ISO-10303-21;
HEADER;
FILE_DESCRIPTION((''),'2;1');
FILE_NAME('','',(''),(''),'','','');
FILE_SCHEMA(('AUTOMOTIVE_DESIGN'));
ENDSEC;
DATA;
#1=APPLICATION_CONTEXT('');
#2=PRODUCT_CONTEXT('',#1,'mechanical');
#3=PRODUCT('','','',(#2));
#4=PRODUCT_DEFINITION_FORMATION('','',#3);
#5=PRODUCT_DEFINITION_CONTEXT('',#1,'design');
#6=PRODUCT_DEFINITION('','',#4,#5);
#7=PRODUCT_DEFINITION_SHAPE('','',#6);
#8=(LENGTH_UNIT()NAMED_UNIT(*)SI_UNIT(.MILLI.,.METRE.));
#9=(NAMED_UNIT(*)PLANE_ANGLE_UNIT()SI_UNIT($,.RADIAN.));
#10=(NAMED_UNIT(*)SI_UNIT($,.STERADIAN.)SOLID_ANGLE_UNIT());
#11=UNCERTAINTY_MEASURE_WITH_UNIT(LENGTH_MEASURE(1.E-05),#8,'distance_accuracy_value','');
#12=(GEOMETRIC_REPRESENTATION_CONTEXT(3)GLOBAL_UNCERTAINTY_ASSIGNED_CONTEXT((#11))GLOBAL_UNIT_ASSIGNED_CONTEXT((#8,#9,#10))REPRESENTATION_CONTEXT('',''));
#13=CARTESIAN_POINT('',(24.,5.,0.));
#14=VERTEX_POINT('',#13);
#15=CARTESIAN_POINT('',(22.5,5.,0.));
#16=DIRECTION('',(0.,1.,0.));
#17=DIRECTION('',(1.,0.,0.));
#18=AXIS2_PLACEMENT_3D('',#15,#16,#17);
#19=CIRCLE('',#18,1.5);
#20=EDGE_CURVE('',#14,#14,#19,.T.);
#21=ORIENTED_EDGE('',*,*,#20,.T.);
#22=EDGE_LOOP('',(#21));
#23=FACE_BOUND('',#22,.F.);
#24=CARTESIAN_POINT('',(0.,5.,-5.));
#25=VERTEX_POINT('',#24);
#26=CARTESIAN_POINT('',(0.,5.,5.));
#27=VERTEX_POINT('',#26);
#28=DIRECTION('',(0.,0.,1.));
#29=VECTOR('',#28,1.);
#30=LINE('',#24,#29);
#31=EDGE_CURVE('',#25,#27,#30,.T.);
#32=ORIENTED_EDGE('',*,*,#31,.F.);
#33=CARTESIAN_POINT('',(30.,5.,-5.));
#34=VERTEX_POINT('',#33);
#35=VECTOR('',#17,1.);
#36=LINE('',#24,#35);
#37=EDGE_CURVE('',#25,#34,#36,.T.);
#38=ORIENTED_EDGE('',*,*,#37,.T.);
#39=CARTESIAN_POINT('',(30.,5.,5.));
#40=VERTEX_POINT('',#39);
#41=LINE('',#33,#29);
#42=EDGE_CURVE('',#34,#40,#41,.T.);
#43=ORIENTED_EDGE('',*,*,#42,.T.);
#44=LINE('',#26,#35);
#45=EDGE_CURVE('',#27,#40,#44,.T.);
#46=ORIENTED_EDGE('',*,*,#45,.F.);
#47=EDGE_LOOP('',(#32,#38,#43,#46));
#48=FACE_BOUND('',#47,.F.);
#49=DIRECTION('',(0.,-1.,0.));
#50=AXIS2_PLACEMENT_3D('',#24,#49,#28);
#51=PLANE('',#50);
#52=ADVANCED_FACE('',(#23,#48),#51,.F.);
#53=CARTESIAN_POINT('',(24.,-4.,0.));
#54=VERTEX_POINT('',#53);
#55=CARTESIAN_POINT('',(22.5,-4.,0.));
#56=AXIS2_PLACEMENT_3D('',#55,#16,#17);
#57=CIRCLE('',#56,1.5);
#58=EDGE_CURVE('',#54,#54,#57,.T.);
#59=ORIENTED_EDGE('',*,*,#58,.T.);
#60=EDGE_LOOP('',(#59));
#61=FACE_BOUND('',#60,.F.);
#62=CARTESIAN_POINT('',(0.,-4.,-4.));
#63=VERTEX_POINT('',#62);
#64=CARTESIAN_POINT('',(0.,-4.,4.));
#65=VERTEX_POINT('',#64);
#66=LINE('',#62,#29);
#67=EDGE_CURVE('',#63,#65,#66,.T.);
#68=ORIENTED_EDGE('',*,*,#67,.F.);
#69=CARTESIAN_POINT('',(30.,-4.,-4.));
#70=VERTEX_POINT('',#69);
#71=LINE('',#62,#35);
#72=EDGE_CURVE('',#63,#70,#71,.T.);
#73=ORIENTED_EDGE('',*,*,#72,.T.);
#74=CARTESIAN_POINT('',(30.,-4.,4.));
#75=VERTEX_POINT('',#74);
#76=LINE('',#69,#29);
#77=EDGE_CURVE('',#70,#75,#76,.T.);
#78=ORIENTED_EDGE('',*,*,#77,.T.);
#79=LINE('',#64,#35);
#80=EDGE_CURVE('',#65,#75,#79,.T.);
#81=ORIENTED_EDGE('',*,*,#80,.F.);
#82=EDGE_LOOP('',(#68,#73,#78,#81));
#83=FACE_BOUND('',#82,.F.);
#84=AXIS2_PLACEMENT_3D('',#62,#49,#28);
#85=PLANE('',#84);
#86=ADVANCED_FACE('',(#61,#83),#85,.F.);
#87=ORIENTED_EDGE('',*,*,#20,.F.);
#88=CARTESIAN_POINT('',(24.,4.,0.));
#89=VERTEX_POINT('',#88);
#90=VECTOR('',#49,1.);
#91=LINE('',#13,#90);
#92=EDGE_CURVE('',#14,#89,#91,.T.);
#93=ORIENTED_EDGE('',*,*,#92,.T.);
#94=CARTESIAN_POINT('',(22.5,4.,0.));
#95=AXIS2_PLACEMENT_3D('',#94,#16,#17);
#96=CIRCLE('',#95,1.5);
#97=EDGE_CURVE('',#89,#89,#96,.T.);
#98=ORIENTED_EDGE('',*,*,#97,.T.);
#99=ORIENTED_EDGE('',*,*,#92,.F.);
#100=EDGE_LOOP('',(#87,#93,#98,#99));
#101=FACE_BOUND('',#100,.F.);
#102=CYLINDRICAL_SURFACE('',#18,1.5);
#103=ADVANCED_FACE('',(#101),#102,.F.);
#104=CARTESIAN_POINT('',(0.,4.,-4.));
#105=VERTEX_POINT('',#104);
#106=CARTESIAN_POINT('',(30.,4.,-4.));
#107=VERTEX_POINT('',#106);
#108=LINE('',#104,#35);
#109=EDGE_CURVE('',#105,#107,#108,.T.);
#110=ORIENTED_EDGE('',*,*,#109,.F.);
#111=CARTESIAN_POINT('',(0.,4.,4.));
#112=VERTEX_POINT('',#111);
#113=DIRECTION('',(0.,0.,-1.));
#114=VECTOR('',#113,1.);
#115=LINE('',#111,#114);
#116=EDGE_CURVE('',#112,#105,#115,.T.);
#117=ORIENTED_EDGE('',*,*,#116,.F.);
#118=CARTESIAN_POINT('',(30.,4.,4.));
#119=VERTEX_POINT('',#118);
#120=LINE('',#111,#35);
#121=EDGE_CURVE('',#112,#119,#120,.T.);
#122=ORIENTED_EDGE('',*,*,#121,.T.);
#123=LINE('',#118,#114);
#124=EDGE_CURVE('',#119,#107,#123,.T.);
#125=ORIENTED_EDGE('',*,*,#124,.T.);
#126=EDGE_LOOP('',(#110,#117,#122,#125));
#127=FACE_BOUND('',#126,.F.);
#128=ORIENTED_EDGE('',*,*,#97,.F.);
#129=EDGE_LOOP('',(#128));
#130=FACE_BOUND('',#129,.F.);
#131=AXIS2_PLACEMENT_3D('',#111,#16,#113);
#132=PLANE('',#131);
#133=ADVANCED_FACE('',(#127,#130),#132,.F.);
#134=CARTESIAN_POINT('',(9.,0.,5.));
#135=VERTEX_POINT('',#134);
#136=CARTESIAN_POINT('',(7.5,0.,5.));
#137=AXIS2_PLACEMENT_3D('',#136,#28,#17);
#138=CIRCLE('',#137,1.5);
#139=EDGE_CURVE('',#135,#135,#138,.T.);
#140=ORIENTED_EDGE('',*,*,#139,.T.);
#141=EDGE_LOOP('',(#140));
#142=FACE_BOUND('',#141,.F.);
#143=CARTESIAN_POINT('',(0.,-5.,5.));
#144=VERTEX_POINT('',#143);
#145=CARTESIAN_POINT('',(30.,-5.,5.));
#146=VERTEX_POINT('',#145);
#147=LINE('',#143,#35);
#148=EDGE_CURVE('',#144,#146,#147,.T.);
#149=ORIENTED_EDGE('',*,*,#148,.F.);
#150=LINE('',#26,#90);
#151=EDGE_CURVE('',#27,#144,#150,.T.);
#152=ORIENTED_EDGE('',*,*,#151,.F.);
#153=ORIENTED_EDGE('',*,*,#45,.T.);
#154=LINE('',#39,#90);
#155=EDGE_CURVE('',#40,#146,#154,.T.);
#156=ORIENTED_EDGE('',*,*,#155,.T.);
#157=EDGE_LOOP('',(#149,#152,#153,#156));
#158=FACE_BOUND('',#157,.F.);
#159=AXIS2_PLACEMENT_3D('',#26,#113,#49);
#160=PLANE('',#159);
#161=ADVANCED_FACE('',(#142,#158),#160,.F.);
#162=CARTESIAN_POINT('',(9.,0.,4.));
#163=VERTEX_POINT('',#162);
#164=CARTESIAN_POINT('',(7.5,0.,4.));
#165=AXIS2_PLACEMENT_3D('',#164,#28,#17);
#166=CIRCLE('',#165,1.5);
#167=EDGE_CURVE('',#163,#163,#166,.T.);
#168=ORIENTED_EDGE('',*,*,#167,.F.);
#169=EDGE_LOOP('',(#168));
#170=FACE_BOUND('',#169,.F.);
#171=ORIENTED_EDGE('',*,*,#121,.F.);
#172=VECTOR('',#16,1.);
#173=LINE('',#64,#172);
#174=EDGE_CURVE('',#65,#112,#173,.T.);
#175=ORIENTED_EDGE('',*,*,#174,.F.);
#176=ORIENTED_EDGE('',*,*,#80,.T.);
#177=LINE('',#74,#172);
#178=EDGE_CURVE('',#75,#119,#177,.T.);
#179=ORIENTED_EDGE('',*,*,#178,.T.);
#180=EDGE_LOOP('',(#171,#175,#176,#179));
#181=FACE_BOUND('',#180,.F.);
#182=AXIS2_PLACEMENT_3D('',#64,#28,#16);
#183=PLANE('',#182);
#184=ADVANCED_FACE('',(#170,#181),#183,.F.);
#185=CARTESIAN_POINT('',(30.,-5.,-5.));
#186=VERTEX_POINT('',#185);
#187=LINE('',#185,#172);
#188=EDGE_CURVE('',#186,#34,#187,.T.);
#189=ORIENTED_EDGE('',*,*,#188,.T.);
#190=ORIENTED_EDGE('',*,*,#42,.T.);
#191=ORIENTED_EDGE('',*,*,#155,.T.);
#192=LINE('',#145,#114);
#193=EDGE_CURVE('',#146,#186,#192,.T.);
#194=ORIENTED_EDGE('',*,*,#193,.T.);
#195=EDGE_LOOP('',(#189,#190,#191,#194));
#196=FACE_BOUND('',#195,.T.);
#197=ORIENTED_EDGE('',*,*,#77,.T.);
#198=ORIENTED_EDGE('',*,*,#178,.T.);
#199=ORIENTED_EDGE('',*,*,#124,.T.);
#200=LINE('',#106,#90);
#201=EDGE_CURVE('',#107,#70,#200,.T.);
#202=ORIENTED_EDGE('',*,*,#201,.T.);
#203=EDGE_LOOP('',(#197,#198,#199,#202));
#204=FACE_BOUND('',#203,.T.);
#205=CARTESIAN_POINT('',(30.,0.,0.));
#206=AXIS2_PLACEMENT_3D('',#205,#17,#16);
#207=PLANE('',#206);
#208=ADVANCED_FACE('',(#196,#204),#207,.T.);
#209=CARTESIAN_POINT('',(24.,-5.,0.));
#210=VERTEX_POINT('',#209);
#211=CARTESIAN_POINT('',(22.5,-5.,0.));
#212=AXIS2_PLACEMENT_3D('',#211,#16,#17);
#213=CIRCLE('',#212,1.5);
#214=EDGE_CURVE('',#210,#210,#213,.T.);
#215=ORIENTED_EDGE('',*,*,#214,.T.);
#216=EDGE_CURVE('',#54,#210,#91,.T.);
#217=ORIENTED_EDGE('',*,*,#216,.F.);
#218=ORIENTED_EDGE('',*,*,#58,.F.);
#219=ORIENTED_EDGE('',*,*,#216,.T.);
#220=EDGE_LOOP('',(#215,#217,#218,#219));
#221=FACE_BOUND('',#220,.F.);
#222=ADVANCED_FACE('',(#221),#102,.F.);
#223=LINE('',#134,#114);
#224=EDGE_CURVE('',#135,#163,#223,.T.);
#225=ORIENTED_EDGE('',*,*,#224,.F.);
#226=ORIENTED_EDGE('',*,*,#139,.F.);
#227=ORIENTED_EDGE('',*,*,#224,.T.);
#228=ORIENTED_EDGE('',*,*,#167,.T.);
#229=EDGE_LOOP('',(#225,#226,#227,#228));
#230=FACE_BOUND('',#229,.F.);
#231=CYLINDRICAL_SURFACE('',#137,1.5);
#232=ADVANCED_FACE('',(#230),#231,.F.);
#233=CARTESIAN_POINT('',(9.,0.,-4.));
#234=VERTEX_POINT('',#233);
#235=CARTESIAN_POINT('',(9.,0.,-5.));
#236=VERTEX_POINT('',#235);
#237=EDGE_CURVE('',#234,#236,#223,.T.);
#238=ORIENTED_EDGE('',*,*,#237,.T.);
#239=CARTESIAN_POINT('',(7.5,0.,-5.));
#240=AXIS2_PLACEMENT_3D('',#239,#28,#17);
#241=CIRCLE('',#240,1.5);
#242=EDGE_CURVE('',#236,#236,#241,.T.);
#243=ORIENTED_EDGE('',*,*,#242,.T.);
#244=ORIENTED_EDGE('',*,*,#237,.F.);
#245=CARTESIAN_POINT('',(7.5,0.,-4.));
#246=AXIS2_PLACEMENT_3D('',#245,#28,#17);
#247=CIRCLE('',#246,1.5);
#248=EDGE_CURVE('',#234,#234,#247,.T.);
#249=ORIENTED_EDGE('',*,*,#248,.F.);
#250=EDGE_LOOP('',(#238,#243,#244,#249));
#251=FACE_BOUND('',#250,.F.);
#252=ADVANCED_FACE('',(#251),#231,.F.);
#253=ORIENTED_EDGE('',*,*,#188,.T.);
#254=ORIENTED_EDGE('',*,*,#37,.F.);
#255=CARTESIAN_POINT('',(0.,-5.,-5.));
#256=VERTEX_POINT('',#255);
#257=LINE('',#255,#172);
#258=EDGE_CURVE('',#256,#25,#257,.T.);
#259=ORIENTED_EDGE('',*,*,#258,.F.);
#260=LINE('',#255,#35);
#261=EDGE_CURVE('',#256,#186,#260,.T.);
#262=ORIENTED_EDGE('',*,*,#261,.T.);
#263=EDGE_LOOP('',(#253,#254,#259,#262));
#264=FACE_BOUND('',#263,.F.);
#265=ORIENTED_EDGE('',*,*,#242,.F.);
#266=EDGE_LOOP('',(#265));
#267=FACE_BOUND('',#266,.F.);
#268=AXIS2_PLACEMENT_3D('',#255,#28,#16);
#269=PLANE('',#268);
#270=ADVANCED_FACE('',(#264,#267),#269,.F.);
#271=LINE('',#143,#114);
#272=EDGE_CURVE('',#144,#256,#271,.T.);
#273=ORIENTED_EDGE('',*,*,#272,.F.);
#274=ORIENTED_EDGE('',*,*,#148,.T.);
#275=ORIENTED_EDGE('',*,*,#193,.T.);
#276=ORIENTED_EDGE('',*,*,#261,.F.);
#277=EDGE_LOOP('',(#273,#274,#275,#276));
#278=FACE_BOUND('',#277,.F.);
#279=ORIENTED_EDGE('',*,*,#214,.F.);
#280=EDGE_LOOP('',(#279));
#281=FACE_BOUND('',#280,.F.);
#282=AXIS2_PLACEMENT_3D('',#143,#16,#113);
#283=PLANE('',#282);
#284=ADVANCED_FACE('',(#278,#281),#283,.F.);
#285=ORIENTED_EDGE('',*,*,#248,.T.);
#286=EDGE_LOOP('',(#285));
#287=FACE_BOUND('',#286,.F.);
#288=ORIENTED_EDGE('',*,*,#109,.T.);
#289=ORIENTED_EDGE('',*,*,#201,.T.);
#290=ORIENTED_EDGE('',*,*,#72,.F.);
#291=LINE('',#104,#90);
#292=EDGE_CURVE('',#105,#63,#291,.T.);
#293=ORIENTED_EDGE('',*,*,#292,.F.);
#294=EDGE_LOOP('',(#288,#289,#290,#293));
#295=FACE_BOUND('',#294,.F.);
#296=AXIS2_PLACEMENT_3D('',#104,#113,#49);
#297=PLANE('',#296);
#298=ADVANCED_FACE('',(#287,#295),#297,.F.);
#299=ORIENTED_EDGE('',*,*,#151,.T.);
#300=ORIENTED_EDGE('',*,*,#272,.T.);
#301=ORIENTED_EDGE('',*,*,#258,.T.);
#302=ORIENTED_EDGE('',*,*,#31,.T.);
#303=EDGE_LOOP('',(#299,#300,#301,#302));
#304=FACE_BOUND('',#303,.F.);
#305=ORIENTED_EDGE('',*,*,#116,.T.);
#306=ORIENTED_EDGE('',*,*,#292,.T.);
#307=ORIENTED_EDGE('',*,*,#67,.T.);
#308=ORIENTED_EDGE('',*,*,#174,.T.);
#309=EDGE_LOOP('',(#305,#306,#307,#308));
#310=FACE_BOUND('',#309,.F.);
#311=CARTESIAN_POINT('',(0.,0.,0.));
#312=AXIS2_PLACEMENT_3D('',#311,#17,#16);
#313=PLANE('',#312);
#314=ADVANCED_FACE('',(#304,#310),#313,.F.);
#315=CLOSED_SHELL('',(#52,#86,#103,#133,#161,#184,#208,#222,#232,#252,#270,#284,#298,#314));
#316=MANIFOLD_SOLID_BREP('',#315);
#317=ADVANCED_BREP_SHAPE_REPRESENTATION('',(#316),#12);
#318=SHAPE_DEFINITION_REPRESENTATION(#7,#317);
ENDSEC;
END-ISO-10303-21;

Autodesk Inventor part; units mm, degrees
ref_plane "YZ Plane" through (0, 0, 0) normal (1, 0, 0) x (0, 1, 0)
ref_plane "XZ Plane" through (0, 0, 0) normal (0, 1, 0) x (-1, 0, 0)
ref_plane "XY Plane" through (0, 0, 0) normal (0, 0, 1) x (1, 0, 0)
sketch "スケッチ1" plane through (0, 0, 0) normal (1, 0, 0) x (0, 1, 0)
  line L0 (-5, -5) -> (5, -5)
  line L1 (5, -5) -> (5, 5)
  line L2 (5, 5) -> (-5, 5)
  line L3 (-5, 5) -> (-5, -5)
  line L4 (-5, -5) -> (5, 5) construction
  line L5 (5, -5) -> (-5, 5) construction
  line L6 (4, 4) -> (4, -4)
  line L7 (4, -4) -> (-4, -4)
  line L8 (-4, -4) -> (-4, 4)
  line L9 (-4, 4) -> (4, 4)
  point P0 (0, 0)
  dimension "d0" = 1
  dimension "d1" = 10
  dimension "d2" = 10
extrude "押し出し1" add sketch "スケッチ1" along normal blind 30
sketch "スケッチ2" plane through (0, -5, 5) normal (0, 0, 1) x (1, 0, 0)
  line L0 (0, 5) -> (30, 5) construction
  line L1 (30, 9) -> (30, 1) projected
  circle A0 centre (7.5, 5) radius 1.5
  line L2 (0, 10) -> (0, 0) projected
  dimension "d5" = 3
  dimension "d6" = 7.5
extrude "押し出し2" cut sketch "スケッチ2" against normal through all
sketch "スケッチ3" plane through (0, 5, 5) normal (0, 1, 0) x (1, 0, 0)
  line L0 (0, 5) -> (30, 5) construction
  line L1 (30, 0) -> (30, 10) projected
  circle A0 centre (22.5, 5) radius 1.5
  dimension "d9" = 3
  dimension "d10" = 7.5
extrude "押し出し3" cut sketch "スケッチ3" against normal through all
sketch "スケッチ4" plane through (0, 5, 5) normal (0, 1, 0) x (1, 0, 0)
  line L0 (30, 10) -> (30, 0) projected
  line L1 (0, 10) -> (0, 0) projected
  circle A0 centre (22.5, 5) radius 1.5 projected
  point P0 (0, 5)
  dimension "d13" = 30
  dimension "d14" = 22.5
sketch "スケッチ5" plane through (0, -5, 5) normal (0, 0, 1) x (1, 0, 0)
  line L0 (30, 10) -> (30, 0) projected
  line L1 (0, 10) -> (0, 0) projected
  circle A0 centre (7.5, 5) radius 1.5 projected
  point P0 (0, 5)
  dimension "d16" = 7.5
properties part number "omu_k_jo_5" material "アルミニウム 6061-AHC"
